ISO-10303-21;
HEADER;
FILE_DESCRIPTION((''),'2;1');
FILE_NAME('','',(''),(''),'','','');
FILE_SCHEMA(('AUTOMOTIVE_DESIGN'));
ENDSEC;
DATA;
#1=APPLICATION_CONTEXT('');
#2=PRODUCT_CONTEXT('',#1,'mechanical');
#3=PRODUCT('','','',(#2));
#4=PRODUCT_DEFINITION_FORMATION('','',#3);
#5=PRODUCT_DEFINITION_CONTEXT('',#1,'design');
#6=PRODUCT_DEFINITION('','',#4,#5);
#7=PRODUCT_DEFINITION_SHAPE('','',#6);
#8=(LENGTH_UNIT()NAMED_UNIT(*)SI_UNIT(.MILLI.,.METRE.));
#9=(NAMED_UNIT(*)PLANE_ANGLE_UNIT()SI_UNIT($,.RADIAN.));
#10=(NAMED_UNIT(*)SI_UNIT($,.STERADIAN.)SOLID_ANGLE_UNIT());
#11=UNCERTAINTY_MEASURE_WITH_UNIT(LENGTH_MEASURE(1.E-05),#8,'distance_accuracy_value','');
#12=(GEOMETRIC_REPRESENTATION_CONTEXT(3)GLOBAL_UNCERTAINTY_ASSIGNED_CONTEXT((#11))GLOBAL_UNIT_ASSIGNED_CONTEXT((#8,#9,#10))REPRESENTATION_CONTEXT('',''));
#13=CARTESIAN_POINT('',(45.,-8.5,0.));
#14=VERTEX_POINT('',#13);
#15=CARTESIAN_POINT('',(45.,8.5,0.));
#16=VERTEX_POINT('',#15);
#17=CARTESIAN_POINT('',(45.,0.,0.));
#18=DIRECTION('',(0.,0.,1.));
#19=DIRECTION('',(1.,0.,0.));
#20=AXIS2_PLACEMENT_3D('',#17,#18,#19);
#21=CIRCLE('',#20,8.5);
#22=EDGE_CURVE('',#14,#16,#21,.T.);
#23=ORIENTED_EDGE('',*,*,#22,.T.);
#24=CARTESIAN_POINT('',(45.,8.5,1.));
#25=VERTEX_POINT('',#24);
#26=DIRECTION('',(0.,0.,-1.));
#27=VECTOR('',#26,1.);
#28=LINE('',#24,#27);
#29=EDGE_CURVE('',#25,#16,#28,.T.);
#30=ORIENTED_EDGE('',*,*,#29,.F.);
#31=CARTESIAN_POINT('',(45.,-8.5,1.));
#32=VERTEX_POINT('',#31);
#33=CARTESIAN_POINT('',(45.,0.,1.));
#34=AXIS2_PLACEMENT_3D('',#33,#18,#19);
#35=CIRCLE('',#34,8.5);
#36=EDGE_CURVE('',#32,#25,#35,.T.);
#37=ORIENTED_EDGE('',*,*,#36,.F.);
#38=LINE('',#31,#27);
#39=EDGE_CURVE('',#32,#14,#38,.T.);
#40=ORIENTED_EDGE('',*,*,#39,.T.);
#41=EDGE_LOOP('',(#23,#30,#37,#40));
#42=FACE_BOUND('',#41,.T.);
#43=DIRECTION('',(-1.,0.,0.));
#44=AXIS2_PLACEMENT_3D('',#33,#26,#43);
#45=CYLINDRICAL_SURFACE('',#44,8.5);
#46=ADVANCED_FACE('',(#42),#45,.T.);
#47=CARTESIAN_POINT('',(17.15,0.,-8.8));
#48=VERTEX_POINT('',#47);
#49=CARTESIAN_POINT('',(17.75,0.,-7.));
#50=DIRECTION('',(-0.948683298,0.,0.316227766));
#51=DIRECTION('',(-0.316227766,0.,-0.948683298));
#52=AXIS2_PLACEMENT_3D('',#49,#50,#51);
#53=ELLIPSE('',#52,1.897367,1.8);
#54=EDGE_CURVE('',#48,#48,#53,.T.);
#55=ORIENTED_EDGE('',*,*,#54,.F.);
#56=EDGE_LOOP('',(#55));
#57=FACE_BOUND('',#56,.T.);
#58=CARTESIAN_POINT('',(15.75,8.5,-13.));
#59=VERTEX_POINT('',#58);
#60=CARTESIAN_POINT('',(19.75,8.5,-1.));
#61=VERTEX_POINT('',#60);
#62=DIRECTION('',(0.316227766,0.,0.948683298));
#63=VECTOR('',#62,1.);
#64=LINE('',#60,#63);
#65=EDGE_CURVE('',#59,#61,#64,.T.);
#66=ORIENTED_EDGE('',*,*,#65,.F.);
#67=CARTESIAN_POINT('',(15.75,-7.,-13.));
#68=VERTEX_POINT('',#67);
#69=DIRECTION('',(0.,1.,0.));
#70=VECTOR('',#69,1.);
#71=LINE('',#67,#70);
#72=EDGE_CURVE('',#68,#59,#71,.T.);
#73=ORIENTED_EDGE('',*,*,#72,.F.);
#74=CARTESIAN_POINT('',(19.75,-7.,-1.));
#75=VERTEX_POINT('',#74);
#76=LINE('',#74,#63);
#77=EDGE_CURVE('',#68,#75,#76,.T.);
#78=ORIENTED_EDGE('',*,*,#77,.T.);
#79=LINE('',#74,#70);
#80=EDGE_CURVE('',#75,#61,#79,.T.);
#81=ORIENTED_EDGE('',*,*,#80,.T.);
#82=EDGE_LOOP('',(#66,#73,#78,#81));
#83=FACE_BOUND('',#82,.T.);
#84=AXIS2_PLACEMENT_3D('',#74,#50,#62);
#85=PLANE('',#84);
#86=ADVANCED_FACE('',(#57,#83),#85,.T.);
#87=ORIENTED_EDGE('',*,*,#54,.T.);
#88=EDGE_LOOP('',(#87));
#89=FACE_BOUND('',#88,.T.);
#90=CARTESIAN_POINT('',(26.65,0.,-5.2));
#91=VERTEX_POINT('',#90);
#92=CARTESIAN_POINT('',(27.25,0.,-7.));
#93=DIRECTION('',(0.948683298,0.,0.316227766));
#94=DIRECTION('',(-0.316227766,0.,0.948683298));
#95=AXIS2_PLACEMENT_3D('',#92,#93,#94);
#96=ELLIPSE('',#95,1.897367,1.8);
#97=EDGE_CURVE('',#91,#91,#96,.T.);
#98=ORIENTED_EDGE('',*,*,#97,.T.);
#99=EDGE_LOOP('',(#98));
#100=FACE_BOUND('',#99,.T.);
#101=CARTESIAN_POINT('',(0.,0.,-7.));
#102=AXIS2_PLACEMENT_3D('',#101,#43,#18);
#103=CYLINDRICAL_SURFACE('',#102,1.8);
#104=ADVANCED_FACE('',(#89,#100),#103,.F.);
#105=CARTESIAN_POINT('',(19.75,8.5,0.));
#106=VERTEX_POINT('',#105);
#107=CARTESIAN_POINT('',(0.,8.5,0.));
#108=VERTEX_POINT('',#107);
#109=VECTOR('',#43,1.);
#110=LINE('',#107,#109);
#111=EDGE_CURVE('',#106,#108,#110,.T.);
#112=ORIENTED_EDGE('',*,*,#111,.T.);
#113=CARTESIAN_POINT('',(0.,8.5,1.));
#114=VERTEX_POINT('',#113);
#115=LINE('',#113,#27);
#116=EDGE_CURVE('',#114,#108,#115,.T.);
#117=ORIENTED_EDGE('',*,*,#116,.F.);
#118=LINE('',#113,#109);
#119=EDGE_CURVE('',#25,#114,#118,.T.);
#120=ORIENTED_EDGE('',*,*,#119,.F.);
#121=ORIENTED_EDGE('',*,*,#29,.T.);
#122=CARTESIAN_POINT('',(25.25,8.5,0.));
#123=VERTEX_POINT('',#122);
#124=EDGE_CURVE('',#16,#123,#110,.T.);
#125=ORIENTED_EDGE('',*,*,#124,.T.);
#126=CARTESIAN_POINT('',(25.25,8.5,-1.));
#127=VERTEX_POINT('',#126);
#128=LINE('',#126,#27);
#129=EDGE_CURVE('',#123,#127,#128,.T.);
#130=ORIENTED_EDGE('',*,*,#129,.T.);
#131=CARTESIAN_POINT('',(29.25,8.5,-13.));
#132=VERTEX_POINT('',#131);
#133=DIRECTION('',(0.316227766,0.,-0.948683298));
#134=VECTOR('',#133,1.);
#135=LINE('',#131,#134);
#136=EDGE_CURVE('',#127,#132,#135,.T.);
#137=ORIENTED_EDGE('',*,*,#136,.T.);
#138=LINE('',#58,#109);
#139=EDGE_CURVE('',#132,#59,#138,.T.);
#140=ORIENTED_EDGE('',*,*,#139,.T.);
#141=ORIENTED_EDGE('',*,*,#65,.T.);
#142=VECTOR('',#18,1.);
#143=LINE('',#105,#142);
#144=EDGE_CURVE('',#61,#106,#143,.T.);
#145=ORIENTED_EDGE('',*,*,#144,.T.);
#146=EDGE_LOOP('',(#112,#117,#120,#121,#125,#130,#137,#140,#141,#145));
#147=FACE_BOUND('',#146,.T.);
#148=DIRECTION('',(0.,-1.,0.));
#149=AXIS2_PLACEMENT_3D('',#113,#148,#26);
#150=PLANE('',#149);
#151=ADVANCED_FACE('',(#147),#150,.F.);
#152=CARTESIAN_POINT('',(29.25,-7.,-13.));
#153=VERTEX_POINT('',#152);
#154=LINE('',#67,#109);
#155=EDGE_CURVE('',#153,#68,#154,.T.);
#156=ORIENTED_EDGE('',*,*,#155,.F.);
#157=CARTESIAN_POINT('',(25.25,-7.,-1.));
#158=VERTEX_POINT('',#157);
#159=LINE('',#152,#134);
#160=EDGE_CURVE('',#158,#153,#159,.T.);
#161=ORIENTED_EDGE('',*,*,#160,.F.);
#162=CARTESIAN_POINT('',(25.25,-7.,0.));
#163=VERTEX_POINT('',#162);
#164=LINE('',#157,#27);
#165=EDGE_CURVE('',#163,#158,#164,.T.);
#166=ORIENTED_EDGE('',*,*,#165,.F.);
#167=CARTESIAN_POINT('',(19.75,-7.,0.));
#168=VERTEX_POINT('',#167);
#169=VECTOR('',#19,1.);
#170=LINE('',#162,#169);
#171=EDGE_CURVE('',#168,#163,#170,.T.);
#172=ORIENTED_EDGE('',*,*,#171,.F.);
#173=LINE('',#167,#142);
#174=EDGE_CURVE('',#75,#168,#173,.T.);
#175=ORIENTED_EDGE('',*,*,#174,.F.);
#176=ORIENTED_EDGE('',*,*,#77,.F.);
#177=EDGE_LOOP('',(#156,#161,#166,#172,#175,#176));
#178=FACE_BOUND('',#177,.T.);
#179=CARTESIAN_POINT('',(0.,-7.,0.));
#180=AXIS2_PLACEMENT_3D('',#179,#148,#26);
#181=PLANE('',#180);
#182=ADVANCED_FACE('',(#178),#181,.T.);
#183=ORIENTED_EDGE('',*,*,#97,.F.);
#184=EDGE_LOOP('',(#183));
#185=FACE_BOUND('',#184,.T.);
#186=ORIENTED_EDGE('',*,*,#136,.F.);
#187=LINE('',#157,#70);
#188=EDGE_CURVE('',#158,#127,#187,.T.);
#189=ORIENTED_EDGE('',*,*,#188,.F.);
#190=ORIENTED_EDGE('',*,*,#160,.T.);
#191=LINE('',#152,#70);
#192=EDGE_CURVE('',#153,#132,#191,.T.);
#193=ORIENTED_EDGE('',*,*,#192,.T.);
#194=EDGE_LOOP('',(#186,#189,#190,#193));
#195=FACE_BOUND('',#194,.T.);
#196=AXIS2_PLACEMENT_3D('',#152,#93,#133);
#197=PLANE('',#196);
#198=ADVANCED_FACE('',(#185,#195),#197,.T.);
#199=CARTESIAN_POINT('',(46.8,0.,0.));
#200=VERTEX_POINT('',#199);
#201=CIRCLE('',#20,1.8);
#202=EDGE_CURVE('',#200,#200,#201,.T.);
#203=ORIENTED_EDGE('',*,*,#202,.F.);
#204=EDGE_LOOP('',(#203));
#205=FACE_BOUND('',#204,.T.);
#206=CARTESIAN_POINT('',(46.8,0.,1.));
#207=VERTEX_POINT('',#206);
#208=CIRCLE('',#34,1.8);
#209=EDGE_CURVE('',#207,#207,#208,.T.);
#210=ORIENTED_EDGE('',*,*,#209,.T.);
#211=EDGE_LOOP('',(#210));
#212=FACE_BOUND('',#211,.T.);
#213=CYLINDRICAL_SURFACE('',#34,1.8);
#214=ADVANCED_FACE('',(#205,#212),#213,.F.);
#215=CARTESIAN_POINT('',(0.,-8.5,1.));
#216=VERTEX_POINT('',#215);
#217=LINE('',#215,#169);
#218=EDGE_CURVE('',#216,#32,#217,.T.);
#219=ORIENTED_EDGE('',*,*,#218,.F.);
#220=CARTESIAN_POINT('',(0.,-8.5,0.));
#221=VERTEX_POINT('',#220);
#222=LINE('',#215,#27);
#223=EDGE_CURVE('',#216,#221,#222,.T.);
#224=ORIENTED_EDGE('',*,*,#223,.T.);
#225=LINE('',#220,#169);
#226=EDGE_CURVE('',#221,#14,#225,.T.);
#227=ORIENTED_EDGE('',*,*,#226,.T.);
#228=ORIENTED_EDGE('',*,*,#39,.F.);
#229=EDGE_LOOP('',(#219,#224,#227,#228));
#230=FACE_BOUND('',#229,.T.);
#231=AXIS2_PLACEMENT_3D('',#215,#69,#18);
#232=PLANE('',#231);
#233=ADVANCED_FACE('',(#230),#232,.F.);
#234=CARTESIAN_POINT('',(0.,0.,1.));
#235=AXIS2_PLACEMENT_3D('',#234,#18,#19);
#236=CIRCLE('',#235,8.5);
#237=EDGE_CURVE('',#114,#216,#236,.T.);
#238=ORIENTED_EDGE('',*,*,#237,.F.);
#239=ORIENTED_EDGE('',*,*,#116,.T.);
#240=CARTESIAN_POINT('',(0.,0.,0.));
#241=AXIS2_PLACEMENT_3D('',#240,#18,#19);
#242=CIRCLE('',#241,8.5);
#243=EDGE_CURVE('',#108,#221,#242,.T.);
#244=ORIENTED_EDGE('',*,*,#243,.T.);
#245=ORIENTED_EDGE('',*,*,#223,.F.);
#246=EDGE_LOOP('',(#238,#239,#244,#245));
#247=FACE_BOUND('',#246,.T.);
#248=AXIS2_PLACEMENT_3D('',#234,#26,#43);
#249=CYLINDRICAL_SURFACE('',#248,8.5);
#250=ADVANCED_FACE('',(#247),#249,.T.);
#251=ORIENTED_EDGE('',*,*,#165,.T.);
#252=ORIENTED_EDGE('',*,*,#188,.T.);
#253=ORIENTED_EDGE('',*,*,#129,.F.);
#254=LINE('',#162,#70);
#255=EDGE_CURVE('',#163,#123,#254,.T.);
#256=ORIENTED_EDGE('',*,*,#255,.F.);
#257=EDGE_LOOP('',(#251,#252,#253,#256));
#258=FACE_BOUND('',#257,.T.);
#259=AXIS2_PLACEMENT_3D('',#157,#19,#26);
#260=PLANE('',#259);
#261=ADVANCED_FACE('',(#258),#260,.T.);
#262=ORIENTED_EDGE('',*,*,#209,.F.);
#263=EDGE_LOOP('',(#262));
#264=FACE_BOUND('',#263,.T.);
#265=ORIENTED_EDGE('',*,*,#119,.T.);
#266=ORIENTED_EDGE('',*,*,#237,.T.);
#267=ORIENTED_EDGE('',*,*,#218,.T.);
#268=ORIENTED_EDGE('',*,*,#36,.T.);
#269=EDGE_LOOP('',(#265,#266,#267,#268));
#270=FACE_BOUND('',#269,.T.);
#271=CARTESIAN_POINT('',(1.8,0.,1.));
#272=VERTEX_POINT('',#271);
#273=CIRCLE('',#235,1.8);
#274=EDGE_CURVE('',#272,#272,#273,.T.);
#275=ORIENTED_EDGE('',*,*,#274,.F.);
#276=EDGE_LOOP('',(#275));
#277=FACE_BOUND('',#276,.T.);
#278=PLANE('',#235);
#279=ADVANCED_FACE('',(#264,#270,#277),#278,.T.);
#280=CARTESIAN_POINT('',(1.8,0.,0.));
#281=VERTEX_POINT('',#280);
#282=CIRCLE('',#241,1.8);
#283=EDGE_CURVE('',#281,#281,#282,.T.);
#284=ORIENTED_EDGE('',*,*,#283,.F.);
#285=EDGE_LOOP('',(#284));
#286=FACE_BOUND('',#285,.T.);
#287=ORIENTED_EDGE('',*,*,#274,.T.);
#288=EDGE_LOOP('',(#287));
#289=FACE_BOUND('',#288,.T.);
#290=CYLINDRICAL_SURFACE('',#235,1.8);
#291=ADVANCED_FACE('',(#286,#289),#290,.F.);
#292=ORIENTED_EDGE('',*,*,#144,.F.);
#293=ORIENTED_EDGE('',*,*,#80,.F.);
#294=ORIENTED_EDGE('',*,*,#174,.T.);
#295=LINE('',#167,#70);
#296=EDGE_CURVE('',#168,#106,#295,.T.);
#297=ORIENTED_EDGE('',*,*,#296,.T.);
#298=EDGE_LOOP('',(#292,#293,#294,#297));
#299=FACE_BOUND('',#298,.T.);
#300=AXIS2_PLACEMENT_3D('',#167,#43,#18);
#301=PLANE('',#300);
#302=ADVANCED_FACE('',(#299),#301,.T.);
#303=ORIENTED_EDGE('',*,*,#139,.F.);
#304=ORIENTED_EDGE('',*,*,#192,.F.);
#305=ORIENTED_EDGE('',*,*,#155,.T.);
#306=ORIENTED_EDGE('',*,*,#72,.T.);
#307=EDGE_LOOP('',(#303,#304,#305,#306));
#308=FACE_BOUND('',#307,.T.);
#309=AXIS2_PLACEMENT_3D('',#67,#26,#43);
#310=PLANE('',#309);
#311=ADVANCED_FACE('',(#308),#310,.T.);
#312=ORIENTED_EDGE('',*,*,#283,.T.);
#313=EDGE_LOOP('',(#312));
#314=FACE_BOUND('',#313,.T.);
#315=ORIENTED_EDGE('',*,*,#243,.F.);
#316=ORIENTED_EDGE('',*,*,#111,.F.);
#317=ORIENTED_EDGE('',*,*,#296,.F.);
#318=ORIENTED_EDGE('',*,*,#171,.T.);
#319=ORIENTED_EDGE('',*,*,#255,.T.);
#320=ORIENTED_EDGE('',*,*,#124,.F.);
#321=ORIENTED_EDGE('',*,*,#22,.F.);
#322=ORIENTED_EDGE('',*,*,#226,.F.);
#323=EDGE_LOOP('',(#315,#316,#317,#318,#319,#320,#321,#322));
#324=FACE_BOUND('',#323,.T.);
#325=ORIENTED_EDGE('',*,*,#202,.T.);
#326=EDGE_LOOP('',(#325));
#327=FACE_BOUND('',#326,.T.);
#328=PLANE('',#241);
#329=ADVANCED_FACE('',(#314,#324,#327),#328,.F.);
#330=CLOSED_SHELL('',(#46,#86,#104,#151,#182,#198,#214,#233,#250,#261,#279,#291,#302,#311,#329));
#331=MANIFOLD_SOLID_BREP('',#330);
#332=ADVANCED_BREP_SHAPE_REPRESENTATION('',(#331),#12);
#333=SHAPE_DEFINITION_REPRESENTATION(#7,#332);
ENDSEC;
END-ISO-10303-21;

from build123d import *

# Parameters (mm, degrees)
BOSS_EXTRUDE1_DEPTH      = 1
M3_CLEARANCE_HOLE1_D     = 3.6
M3_CLEARANCE_HOLE1_DEPTH = 1
BOSS_EXTRUDE2_DEPTH      = 15.5
M3_CLEARANCE_HOLE2_D     = 3.6


with BuildPart() as part:
    # Sketch1 → Boss-Extrude1 (new body)
    with BuildSketch(Plane.XY):
        with BuildLine():
            Line((0, 8.5), (45, 8.5))
            ThreePointArc((45, 8.5), (53.5, 0), (45, -8.5))
            Line((45, -8.5), (0, -8.5))
            ThreePointArc((0, -8.5), (-8.5, 0), (0, 8.5))
        make_face()
    extrude(amount=BOSS_EXTRUDE1_DEPTH)

    # M3 Clearance Hole1
    with Locations(Plane.XY.offset(1)):
        with Locations((0, 0), (45, 0)):
            Hole(M3_CLEARANCE_HOLE1_D / 2, depth=M3_CLEARANCE_HOLE1_DEPTH)

    # Sketch4 → Boss-Extrude2 (add)
    with BuildSketch(Plane(origin=(0, 8.5, 0), x_dir=(1, 0, 0), z_dir=(0, 1, 0))):
        Polygon((19.75, 0), (19.75, 1), (15.75, 13), (29.25, 13), (25.25, 1), (25.25, 0), align=None)
    extrude(amount=-BOSS_EXTRUDE2_DEPTH)

    # M3 Clearance Hole2 (through all)
    with Locations(Plane(origin=(0, 0, 0), x_dir=(0, 0, -1), z_dir=(-1, 0, 0))):
        with Locations((7, 0)):
            Hole(M3_CLEARANCE_HOLE2_D / 2)


solid = part.part
